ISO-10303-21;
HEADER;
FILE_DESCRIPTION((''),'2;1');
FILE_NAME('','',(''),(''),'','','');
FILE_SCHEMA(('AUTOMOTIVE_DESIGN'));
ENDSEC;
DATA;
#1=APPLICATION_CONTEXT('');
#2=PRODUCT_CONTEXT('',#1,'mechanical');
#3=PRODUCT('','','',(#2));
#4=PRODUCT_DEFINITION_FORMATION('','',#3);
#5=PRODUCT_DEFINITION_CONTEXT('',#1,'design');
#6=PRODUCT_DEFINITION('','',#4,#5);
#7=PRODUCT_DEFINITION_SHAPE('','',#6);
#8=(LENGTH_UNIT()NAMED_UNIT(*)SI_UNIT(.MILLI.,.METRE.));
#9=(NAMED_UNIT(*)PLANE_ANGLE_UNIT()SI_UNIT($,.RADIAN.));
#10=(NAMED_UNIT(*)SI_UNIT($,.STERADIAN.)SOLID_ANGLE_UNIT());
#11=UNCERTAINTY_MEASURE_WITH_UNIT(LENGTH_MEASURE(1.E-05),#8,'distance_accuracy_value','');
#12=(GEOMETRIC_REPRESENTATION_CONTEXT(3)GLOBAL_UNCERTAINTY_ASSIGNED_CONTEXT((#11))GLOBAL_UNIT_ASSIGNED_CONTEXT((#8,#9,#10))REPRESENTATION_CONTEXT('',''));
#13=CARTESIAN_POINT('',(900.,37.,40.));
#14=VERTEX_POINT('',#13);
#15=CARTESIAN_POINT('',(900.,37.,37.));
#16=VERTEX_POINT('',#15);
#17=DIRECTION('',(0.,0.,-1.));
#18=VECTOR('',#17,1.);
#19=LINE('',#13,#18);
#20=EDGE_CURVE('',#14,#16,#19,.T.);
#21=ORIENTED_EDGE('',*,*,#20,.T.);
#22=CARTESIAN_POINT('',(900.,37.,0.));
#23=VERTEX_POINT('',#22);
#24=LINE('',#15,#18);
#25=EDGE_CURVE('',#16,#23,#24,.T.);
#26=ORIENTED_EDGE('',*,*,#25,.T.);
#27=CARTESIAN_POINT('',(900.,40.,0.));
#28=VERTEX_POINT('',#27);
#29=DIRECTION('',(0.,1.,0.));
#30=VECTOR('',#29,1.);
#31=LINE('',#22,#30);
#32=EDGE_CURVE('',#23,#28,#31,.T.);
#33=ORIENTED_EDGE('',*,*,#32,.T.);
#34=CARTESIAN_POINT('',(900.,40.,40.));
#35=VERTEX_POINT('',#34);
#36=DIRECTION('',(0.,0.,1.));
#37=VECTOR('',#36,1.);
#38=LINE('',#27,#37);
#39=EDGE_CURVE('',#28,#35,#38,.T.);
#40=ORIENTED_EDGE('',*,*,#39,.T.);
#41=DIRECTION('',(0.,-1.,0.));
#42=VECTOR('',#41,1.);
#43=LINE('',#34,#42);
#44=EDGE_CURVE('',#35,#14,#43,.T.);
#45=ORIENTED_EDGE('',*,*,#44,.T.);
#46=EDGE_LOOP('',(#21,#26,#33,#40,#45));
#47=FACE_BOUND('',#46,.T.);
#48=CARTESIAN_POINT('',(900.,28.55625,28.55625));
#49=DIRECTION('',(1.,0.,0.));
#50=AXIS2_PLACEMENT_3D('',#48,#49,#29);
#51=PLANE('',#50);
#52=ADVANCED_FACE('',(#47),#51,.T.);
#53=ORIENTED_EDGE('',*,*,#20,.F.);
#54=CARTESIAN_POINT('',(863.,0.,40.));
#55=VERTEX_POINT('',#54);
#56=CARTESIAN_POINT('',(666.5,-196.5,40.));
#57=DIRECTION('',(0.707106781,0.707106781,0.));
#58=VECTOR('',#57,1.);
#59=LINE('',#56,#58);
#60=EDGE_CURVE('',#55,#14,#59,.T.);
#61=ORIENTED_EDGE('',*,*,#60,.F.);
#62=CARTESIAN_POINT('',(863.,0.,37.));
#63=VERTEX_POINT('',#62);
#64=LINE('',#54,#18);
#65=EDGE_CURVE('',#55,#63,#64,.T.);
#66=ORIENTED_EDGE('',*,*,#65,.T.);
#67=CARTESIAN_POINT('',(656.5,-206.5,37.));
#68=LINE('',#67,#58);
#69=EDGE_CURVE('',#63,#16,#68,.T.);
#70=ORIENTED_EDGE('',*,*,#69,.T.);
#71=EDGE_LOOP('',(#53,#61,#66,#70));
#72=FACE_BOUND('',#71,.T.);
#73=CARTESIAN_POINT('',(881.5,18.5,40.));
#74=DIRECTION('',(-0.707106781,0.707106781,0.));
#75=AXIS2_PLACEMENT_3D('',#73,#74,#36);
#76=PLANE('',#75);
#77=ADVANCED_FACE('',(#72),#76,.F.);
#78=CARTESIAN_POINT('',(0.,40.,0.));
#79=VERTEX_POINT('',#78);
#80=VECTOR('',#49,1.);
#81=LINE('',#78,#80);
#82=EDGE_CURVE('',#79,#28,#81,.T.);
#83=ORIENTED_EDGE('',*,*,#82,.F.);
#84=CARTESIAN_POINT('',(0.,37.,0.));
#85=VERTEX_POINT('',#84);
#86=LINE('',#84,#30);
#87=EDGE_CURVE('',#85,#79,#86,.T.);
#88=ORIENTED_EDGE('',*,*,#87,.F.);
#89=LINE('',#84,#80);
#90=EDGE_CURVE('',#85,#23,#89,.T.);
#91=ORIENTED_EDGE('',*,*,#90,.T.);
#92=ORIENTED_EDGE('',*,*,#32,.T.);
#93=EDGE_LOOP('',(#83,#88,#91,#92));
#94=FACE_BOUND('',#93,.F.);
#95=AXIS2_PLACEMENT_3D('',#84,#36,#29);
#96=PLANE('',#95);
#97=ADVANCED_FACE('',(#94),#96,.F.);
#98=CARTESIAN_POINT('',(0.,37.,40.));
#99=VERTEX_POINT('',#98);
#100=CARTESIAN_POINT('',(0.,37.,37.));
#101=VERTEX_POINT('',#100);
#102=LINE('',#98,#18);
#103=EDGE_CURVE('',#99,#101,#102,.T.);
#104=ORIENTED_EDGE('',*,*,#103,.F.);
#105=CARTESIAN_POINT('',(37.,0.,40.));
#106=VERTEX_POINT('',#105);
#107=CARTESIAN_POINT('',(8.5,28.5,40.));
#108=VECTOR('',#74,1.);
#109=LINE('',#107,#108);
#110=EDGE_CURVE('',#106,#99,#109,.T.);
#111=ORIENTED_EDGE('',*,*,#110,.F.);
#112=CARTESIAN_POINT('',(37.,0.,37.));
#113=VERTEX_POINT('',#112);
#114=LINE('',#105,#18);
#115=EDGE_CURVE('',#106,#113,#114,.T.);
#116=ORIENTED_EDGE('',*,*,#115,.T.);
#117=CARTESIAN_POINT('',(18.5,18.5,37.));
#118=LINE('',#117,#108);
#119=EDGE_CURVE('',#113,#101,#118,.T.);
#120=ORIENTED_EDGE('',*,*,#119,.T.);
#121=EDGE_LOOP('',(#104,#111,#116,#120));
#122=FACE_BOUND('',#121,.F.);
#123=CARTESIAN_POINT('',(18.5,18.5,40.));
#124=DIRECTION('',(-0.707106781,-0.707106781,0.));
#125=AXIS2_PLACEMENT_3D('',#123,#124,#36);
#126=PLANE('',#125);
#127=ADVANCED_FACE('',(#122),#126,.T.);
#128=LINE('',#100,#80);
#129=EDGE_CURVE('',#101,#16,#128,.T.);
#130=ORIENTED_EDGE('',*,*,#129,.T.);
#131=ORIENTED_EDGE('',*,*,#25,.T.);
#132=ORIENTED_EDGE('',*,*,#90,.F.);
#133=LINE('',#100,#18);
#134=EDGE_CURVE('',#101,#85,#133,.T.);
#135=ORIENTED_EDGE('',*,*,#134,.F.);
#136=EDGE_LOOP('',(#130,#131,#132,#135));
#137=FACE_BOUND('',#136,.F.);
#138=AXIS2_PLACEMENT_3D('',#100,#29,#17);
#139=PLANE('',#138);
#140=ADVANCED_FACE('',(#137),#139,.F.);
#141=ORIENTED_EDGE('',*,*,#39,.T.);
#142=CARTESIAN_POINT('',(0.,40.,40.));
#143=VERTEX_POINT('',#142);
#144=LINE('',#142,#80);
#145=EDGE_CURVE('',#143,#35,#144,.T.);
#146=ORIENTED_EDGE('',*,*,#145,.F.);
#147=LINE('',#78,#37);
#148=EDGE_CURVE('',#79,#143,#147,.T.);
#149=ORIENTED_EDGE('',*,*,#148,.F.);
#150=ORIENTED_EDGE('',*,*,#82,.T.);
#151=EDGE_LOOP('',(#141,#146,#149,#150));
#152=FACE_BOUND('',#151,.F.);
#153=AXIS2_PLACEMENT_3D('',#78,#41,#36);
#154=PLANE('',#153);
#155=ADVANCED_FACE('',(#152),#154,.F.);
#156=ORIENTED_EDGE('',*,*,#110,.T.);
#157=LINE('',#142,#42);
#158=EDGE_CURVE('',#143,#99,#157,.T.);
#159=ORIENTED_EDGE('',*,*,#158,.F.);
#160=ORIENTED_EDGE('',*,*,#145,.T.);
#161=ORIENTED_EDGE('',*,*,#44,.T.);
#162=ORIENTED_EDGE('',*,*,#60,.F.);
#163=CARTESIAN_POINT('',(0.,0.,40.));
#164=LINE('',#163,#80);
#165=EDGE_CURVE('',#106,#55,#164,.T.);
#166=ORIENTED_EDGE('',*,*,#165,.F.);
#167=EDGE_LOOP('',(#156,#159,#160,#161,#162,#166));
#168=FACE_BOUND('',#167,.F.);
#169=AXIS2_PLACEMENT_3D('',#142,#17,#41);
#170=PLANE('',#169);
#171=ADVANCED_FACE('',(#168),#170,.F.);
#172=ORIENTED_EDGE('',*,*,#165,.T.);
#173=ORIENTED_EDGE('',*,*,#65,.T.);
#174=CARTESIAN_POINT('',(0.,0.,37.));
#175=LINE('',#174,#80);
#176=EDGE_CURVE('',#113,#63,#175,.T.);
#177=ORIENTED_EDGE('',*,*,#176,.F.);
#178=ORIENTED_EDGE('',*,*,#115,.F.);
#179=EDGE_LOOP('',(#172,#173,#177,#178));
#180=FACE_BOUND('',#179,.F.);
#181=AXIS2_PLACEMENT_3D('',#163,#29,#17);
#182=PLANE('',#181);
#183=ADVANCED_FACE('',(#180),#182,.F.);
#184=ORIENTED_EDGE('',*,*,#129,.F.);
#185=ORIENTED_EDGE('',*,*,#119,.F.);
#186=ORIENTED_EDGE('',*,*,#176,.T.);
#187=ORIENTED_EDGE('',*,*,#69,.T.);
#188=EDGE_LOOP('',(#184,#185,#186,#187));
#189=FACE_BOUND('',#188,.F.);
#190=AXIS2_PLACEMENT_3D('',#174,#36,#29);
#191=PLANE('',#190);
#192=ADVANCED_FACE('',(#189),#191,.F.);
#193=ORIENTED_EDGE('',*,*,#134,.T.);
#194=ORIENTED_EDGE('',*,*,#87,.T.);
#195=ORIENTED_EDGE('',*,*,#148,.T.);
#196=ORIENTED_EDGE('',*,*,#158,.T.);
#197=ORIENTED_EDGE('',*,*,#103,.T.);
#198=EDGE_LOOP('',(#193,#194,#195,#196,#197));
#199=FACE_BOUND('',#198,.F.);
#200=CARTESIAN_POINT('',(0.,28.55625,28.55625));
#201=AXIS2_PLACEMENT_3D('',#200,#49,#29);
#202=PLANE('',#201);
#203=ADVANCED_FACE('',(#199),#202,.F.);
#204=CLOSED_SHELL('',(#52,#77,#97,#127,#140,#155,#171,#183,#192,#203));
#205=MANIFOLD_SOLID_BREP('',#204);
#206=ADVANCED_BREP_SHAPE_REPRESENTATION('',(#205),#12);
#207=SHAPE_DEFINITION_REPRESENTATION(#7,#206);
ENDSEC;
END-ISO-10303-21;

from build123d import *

# Parameters (mm, degrees)
F1_DEPTH = 900
F2_SIZE  = 37
F3_SIZE  = 37


with BuildPart() as f1:
    # F0 (on Right) → F1 (new body)
    with BuildSketch(Plane.YZ):
        Polygon((37, 37), (37, 0), (40, 0), (40, 40), (0, 40), (0, 37), align=None)
    extrude(amount=F1_DEPTH)

    # F2
    f2_edges = [f1.edges().sort_by_distance(p)[0] for p in [
        (900, 0, 38.5),
    ]]
    chamfer(f2_edges, length=F2_SIZE)

    # F3
    f3_edges = [f1.edges().sort_by_distance(p)[0] for p in [
        (0, 0, 38.5),
    ]]
    chamfer(f3_edges, length=F3_SIZE)


solid = f1.part
